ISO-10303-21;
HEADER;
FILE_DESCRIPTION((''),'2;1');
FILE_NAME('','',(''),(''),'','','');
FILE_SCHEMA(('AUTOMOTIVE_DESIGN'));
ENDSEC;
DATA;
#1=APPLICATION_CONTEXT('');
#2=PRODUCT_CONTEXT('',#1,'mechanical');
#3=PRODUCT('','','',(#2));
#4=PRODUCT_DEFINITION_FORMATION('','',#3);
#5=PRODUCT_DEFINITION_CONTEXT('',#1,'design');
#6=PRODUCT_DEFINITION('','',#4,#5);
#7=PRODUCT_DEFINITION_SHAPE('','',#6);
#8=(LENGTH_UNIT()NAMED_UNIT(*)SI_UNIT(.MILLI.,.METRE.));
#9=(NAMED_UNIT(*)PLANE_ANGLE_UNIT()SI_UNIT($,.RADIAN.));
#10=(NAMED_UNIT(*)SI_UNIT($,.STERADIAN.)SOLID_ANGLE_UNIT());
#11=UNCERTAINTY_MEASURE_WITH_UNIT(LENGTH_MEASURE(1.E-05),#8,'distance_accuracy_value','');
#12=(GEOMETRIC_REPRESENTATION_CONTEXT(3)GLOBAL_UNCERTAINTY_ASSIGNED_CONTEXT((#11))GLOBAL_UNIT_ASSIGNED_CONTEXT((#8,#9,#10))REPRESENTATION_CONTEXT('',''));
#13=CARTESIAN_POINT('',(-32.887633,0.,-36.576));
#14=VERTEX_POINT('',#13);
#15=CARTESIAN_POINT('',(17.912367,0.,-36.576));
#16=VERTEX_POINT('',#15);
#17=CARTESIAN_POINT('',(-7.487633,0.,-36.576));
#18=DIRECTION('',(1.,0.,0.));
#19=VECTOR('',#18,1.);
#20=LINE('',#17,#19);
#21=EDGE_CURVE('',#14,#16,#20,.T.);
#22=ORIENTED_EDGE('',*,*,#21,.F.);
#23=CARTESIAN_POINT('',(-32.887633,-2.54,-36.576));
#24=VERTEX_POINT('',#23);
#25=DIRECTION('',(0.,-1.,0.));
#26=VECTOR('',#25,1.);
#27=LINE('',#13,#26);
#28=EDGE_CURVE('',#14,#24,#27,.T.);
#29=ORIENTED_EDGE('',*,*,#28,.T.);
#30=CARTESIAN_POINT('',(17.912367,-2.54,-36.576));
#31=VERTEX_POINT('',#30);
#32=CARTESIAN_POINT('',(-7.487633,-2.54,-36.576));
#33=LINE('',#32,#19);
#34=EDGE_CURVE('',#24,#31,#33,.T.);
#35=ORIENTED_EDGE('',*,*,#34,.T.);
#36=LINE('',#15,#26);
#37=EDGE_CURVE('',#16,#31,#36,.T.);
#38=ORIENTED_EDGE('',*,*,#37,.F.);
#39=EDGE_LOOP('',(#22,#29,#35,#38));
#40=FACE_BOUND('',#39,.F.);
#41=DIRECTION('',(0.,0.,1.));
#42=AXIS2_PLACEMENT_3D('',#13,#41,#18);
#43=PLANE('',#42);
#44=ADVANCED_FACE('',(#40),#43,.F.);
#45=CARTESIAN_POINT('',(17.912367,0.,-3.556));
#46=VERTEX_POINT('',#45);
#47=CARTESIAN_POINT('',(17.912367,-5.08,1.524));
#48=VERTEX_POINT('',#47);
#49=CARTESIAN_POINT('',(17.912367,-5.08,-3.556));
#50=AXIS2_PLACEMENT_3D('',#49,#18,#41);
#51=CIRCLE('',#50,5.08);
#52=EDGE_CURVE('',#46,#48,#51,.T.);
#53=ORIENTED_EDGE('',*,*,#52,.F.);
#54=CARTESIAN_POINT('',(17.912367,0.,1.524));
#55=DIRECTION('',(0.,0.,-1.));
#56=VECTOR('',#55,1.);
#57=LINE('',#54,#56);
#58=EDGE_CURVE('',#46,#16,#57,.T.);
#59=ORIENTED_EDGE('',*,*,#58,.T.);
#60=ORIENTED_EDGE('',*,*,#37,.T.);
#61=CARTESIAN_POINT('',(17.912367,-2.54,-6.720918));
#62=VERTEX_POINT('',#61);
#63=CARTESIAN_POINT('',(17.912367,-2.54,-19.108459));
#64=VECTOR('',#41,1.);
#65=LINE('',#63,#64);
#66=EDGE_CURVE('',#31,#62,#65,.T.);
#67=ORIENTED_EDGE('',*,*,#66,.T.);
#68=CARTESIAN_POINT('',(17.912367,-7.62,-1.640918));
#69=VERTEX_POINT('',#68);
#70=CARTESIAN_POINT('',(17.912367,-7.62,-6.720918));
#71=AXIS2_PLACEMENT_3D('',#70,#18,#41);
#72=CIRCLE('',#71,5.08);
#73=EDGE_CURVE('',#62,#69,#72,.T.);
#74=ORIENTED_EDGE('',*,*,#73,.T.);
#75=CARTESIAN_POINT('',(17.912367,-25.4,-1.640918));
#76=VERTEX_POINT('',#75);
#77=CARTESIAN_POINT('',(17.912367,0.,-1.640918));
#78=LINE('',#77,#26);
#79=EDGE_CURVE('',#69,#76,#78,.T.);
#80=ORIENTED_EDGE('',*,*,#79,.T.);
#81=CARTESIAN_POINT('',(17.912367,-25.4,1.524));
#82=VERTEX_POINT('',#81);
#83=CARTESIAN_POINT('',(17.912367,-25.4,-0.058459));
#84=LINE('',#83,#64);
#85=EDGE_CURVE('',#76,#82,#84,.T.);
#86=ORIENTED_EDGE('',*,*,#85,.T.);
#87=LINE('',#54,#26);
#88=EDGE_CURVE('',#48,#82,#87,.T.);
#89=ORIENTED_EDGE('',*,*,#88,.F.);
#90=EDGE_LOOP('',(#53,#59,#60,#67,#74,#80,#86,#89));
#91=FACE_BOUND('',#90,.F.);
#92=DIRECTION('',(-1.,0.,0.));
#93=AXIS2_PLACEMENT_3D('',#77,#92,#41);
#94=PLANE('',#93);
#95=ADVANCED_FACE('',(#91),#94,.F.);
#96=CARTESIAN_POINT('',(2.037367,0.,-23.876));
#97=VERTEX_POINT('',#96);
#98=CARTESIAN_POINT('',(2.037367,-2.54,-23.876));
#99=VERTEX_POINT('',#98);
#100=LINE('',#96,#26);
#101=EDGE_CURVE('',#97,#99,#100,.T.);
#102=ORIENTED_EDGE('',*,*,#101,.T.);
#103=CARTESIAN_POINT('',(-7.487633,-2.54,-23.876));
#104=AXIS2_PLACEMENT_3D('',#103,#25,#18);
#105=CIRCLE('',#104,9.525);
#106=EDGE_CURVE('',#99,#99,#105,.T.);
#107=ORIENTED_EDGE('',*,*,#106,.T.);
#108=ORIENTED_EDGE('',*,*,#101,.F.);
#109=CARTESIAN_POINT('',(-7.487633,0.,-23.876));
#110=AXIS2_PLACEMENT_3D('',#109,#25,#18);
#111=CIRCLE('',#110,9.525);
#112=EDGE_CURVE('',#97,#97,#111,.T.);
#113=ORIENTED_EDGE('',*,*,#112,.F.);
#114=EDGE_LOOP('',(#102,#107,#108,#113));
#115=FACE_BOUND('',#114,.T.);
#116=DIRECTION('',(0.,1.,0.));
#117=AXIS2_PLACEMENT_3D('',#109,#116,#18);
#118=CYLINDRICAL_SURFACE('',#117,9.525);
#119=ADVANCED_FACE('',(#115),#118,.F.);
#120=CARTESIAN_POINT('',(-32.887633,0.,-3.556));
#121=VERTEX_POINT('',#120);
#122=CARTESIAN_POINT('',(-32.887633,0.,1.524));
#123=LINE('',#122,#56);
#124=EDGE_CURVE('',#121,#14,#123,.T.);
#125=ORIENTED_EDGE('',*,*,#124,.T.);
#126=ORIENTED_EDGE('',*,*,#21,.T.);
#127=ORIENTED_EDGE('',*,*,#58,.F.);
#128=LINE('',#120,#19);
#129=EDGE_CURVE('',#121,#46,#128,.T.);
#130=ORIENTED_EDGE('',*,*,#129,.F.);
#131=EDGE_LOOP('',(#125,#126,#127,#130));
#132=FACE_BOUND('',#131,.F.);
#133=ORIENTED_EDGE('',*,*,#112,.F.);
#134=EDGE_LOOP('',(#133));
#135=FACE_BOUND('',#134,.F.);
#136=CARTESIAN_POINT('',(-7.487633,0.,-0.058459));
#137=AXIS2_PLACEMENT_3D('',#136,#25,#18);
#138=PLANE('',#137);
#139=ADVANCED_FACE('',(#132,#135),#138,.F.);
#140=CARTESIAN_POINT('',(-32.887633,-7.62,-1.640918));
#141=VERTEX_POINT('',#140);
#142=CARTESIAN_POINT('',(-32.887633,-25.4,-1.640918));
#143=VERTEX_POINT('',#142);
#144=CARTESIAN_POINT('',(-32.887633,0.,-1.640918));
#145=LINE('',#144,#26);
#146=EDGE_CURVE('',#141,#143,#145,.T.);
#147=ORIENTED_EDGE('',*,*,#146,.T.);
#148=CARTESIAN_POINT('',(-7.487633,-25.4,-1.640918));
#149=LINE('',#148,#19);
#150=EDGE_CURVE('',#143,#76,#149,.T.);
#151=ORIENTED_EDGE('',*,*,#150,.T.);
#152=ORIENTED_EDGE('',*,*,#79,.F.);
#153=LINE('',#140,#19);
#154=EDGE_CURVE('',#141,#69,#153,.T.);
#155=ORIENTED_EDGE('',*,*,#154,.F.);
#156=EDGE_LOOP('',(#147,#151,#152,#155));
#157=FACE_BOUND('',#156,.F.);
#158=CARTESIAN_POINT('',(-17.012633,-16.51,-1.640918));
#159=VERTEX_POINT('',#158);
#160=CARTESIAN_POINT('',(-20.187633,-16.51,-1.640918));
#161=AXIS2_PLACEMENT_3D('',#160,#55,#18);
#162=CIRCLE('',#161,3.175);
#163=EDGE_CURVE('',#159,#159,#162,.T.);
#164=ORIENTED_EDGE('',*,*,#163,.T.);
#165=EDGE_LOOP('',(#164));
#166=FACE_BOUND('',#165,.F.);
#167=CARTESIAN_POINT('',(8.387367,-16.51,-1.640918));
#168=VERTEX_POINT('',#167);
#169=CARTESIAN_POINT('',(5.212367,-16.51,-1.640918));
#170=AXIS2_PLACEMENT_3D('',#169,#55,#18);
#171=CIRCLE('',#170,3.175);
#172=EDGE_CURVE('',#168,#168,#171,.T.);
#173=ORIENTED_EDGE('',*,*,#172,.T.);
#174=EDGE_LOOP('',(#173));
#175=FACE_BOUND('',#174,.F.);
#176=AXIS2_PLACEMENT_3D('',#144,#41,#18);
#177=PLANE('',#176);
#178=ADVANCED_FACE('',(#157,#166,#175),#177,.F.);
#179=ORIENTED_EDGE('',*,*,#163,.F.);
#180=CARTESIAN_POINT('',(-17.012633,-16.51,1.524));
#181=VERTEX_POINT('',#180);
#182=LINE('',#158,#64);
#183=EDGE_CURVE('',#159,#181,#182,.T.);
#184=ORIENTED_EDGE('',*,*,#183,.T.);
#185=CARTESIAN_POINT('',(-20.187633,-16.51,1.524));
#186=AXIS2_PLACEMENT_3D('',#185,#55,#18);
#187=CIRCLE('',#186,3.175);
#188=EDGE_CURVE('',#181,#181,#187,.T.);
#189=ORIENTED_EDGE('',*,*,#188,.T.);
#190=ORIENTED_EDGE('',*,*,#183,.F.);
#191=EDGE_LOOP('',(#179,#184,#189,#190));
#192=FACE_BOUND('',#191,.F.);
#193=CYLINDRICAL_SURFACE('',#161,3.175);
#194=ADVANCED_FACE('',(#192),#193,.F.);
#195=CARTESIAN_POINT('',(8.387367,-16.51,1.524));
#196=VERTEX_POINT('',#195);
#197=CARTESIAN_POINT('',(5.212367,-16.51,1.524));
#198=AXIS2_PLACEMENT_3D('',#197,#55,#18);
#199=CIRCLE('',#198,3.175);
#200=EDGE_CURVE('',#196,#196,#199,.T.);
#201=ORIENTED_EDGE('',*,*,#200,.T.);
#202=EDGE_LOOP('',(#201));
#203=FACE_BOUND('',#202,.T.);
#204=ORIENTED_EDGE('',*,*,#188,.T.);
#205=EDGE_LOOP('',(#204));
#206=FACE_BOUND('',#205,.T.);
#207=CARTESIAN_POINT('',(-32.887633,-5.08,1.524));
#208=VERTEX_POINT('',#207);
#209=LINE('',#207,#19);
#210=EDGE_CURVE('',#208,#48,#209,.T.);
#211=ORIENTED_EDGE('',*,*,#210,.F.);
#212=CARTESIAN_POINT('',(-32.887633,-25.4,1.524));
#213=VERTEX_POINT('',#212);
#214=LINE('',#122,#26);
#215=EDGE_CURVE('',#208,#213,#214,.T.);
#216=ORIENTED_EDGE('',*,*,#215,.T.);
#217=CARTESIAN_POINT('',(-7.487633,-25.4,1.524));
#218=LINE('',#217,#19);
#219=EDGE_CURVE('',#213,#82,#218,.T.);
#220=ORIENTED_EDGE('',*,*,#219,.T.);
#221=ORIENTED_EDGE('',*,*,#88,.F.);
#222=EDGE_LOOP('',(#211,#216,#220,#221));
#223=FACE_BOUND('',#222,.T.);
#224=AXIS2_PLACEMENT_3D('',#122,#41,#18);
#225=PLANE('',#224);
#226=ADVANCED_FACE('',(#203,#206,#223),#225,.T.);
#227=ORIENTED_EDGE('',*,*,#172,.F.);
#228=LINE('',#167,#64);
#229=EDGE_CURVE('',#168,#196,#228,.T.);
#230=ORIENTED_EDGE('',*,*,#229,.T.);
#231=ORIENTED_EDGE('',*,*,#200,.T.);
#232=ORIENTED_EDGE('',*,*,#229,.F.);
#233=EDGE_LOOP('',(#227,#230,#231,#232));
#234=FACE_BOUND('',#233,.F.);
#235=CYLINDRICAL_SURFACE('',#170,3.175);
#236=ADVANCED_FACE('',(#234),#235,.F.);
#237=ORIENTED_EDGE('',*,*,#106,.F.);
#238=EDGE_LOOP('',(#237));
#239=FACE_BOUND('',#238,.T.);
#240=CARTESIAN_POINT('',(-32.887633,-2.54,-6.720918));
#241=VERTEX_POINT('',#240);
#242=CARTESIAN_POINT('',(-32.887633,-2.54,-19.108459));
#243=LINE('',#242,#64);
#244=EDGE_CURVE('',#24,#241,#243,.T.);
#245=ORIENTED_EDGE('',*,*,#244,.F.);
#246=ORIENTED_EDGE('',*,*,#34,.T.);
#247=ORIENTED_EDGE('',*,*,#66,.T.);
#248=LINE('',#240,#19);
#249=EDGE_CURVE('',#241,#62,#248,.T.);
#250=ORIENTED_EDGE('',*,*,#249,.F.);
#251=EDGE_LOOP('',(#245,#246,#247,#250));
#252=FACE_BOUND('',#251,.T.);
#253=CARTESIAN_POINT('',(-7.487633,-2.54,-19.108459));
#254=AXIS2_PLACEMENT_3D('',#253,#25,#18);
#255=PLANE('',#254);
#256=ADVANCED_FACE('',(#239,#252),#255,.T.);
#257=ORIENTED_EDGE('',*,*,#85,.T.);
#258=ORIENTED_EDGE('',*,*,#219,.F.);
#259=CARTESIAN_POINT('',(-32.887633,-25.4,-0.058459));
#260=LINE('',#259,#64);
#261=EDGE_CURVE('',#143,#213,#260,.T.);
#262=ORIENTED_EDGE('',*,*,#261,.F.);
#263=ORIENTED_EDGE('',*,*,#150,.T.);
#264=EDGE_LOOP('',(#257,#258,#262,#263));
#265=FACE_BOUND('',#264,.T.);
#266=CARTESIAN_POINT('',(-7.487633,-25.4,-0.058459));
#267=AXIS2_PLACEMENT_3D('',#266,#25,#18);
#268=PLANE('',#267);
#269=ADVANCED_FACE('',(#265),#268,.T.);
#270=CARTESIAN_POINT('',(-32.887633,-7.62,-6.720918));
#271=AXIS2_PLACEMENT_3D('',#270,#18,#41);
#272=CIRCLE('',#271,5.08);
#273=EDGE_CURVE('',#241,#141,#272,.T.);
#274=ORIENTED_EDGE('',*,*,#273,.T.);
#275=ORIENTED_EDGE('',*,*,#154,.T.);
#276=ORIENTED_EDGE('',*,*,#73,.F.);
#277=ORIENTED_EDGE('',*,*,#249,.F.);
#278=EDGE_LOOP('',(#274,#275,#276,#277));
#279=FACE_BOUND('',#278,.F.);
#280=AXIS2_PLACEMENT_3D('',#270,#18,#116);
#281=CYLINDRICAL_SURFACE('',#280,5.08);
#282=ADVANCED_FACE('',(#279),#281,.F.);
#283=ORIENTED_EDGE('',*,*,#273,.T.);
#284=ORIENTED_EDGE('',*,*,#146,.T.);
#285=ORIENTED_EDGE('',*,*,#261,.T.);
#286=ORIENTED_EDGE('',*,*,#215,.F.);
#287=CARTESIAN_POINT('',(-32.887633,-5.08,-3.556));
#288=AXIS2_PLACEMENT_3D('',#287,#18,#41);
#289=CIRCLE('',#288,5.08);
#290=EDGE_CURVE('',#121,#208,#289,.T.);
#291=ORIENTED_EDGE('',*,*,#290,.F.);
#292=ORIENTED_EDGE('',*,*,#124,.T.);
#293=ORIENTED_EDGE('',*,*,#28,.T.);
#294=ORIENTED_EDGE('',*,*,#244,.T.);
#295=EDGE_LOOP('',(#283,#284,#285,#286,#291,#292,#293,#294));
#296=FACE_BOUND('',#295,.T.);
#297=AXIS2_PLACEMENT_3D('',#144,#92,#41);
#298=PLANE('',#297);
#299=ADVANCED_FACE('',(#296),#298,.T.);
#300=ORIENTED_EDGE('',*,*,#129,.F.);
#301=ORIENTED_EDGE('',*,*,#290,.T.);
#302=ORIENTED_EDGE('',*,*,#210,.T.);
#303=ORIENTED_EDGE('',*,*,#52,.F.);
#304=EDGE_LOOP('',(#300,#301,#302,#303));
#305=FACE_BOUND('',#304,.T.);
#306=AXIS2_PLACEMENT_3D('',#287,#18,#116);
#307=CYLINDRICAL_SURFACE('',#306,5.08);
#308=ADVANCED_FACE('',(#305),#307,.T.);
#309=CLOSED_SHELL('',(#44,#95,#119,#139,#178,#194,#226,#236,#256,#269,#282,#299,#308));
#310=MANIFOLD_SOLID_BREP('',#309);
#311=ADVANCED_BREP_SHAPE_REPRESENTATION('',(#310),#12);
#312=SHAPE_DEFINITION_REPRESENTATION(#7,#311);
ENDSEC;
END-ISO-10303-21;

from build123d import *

# Parameters (mm, degrees)
F0_W     = 50.8
F0_H     = 34.935082
F0_R     = 9.525
F1_DEPTH = 2.54
F0_H_2   = 3.164918
F2_DEPTH = 25.4
F3_R     = 5.08
F4_R     = 3.175
F5_DEPTH = 25.4


with BuildPart() as f1:
    # F0 (on Front) → F1 (new body)
    with BuildSketch(Plane.XZ):
        with Locations((-7.487633, -19.108459)):
            Rectangle(F0_W, F0_H)
        with Locations((-7.487633, -23.876)):
            Circle(F0_R, mode=Mode.SUBTRACT)
    extrude(amount=F1_DEPTH)

    # F0 (on Front) → F2 (join)
    with BuildSketch(Plane.XZ):
        with Locations((-7.487633, -0.058459)):
            Rectangle(F0_W, F0_H_2)
    extrude(amount=F2_DEPTH)

    # F3
    f3_edges = [f1.edges().sort_by_distance(p)[0] for p in [
        (-7.487633, -2.54, -1.640918),
        (-7.487633, 0, 1.524),
    ]]
    fillet(f3_edges, radius=F3_R)

    # F4 (on face) → F5 (cut)
    with BuildSketch(Plane(origin=(0, 0, -1.640918), x_dir=(1, 0, 0), z_dir=(0, 0, -1))):
        with Locations((-20.187633, 16.51)):
            Circle(F4_R)
        with Locations((5.212367, 16.51)):
            Circle(F4_R)
    extrude(amount=-F5_DEPTH, mode=Mode.SUBTRACT)


solid = f1.part
